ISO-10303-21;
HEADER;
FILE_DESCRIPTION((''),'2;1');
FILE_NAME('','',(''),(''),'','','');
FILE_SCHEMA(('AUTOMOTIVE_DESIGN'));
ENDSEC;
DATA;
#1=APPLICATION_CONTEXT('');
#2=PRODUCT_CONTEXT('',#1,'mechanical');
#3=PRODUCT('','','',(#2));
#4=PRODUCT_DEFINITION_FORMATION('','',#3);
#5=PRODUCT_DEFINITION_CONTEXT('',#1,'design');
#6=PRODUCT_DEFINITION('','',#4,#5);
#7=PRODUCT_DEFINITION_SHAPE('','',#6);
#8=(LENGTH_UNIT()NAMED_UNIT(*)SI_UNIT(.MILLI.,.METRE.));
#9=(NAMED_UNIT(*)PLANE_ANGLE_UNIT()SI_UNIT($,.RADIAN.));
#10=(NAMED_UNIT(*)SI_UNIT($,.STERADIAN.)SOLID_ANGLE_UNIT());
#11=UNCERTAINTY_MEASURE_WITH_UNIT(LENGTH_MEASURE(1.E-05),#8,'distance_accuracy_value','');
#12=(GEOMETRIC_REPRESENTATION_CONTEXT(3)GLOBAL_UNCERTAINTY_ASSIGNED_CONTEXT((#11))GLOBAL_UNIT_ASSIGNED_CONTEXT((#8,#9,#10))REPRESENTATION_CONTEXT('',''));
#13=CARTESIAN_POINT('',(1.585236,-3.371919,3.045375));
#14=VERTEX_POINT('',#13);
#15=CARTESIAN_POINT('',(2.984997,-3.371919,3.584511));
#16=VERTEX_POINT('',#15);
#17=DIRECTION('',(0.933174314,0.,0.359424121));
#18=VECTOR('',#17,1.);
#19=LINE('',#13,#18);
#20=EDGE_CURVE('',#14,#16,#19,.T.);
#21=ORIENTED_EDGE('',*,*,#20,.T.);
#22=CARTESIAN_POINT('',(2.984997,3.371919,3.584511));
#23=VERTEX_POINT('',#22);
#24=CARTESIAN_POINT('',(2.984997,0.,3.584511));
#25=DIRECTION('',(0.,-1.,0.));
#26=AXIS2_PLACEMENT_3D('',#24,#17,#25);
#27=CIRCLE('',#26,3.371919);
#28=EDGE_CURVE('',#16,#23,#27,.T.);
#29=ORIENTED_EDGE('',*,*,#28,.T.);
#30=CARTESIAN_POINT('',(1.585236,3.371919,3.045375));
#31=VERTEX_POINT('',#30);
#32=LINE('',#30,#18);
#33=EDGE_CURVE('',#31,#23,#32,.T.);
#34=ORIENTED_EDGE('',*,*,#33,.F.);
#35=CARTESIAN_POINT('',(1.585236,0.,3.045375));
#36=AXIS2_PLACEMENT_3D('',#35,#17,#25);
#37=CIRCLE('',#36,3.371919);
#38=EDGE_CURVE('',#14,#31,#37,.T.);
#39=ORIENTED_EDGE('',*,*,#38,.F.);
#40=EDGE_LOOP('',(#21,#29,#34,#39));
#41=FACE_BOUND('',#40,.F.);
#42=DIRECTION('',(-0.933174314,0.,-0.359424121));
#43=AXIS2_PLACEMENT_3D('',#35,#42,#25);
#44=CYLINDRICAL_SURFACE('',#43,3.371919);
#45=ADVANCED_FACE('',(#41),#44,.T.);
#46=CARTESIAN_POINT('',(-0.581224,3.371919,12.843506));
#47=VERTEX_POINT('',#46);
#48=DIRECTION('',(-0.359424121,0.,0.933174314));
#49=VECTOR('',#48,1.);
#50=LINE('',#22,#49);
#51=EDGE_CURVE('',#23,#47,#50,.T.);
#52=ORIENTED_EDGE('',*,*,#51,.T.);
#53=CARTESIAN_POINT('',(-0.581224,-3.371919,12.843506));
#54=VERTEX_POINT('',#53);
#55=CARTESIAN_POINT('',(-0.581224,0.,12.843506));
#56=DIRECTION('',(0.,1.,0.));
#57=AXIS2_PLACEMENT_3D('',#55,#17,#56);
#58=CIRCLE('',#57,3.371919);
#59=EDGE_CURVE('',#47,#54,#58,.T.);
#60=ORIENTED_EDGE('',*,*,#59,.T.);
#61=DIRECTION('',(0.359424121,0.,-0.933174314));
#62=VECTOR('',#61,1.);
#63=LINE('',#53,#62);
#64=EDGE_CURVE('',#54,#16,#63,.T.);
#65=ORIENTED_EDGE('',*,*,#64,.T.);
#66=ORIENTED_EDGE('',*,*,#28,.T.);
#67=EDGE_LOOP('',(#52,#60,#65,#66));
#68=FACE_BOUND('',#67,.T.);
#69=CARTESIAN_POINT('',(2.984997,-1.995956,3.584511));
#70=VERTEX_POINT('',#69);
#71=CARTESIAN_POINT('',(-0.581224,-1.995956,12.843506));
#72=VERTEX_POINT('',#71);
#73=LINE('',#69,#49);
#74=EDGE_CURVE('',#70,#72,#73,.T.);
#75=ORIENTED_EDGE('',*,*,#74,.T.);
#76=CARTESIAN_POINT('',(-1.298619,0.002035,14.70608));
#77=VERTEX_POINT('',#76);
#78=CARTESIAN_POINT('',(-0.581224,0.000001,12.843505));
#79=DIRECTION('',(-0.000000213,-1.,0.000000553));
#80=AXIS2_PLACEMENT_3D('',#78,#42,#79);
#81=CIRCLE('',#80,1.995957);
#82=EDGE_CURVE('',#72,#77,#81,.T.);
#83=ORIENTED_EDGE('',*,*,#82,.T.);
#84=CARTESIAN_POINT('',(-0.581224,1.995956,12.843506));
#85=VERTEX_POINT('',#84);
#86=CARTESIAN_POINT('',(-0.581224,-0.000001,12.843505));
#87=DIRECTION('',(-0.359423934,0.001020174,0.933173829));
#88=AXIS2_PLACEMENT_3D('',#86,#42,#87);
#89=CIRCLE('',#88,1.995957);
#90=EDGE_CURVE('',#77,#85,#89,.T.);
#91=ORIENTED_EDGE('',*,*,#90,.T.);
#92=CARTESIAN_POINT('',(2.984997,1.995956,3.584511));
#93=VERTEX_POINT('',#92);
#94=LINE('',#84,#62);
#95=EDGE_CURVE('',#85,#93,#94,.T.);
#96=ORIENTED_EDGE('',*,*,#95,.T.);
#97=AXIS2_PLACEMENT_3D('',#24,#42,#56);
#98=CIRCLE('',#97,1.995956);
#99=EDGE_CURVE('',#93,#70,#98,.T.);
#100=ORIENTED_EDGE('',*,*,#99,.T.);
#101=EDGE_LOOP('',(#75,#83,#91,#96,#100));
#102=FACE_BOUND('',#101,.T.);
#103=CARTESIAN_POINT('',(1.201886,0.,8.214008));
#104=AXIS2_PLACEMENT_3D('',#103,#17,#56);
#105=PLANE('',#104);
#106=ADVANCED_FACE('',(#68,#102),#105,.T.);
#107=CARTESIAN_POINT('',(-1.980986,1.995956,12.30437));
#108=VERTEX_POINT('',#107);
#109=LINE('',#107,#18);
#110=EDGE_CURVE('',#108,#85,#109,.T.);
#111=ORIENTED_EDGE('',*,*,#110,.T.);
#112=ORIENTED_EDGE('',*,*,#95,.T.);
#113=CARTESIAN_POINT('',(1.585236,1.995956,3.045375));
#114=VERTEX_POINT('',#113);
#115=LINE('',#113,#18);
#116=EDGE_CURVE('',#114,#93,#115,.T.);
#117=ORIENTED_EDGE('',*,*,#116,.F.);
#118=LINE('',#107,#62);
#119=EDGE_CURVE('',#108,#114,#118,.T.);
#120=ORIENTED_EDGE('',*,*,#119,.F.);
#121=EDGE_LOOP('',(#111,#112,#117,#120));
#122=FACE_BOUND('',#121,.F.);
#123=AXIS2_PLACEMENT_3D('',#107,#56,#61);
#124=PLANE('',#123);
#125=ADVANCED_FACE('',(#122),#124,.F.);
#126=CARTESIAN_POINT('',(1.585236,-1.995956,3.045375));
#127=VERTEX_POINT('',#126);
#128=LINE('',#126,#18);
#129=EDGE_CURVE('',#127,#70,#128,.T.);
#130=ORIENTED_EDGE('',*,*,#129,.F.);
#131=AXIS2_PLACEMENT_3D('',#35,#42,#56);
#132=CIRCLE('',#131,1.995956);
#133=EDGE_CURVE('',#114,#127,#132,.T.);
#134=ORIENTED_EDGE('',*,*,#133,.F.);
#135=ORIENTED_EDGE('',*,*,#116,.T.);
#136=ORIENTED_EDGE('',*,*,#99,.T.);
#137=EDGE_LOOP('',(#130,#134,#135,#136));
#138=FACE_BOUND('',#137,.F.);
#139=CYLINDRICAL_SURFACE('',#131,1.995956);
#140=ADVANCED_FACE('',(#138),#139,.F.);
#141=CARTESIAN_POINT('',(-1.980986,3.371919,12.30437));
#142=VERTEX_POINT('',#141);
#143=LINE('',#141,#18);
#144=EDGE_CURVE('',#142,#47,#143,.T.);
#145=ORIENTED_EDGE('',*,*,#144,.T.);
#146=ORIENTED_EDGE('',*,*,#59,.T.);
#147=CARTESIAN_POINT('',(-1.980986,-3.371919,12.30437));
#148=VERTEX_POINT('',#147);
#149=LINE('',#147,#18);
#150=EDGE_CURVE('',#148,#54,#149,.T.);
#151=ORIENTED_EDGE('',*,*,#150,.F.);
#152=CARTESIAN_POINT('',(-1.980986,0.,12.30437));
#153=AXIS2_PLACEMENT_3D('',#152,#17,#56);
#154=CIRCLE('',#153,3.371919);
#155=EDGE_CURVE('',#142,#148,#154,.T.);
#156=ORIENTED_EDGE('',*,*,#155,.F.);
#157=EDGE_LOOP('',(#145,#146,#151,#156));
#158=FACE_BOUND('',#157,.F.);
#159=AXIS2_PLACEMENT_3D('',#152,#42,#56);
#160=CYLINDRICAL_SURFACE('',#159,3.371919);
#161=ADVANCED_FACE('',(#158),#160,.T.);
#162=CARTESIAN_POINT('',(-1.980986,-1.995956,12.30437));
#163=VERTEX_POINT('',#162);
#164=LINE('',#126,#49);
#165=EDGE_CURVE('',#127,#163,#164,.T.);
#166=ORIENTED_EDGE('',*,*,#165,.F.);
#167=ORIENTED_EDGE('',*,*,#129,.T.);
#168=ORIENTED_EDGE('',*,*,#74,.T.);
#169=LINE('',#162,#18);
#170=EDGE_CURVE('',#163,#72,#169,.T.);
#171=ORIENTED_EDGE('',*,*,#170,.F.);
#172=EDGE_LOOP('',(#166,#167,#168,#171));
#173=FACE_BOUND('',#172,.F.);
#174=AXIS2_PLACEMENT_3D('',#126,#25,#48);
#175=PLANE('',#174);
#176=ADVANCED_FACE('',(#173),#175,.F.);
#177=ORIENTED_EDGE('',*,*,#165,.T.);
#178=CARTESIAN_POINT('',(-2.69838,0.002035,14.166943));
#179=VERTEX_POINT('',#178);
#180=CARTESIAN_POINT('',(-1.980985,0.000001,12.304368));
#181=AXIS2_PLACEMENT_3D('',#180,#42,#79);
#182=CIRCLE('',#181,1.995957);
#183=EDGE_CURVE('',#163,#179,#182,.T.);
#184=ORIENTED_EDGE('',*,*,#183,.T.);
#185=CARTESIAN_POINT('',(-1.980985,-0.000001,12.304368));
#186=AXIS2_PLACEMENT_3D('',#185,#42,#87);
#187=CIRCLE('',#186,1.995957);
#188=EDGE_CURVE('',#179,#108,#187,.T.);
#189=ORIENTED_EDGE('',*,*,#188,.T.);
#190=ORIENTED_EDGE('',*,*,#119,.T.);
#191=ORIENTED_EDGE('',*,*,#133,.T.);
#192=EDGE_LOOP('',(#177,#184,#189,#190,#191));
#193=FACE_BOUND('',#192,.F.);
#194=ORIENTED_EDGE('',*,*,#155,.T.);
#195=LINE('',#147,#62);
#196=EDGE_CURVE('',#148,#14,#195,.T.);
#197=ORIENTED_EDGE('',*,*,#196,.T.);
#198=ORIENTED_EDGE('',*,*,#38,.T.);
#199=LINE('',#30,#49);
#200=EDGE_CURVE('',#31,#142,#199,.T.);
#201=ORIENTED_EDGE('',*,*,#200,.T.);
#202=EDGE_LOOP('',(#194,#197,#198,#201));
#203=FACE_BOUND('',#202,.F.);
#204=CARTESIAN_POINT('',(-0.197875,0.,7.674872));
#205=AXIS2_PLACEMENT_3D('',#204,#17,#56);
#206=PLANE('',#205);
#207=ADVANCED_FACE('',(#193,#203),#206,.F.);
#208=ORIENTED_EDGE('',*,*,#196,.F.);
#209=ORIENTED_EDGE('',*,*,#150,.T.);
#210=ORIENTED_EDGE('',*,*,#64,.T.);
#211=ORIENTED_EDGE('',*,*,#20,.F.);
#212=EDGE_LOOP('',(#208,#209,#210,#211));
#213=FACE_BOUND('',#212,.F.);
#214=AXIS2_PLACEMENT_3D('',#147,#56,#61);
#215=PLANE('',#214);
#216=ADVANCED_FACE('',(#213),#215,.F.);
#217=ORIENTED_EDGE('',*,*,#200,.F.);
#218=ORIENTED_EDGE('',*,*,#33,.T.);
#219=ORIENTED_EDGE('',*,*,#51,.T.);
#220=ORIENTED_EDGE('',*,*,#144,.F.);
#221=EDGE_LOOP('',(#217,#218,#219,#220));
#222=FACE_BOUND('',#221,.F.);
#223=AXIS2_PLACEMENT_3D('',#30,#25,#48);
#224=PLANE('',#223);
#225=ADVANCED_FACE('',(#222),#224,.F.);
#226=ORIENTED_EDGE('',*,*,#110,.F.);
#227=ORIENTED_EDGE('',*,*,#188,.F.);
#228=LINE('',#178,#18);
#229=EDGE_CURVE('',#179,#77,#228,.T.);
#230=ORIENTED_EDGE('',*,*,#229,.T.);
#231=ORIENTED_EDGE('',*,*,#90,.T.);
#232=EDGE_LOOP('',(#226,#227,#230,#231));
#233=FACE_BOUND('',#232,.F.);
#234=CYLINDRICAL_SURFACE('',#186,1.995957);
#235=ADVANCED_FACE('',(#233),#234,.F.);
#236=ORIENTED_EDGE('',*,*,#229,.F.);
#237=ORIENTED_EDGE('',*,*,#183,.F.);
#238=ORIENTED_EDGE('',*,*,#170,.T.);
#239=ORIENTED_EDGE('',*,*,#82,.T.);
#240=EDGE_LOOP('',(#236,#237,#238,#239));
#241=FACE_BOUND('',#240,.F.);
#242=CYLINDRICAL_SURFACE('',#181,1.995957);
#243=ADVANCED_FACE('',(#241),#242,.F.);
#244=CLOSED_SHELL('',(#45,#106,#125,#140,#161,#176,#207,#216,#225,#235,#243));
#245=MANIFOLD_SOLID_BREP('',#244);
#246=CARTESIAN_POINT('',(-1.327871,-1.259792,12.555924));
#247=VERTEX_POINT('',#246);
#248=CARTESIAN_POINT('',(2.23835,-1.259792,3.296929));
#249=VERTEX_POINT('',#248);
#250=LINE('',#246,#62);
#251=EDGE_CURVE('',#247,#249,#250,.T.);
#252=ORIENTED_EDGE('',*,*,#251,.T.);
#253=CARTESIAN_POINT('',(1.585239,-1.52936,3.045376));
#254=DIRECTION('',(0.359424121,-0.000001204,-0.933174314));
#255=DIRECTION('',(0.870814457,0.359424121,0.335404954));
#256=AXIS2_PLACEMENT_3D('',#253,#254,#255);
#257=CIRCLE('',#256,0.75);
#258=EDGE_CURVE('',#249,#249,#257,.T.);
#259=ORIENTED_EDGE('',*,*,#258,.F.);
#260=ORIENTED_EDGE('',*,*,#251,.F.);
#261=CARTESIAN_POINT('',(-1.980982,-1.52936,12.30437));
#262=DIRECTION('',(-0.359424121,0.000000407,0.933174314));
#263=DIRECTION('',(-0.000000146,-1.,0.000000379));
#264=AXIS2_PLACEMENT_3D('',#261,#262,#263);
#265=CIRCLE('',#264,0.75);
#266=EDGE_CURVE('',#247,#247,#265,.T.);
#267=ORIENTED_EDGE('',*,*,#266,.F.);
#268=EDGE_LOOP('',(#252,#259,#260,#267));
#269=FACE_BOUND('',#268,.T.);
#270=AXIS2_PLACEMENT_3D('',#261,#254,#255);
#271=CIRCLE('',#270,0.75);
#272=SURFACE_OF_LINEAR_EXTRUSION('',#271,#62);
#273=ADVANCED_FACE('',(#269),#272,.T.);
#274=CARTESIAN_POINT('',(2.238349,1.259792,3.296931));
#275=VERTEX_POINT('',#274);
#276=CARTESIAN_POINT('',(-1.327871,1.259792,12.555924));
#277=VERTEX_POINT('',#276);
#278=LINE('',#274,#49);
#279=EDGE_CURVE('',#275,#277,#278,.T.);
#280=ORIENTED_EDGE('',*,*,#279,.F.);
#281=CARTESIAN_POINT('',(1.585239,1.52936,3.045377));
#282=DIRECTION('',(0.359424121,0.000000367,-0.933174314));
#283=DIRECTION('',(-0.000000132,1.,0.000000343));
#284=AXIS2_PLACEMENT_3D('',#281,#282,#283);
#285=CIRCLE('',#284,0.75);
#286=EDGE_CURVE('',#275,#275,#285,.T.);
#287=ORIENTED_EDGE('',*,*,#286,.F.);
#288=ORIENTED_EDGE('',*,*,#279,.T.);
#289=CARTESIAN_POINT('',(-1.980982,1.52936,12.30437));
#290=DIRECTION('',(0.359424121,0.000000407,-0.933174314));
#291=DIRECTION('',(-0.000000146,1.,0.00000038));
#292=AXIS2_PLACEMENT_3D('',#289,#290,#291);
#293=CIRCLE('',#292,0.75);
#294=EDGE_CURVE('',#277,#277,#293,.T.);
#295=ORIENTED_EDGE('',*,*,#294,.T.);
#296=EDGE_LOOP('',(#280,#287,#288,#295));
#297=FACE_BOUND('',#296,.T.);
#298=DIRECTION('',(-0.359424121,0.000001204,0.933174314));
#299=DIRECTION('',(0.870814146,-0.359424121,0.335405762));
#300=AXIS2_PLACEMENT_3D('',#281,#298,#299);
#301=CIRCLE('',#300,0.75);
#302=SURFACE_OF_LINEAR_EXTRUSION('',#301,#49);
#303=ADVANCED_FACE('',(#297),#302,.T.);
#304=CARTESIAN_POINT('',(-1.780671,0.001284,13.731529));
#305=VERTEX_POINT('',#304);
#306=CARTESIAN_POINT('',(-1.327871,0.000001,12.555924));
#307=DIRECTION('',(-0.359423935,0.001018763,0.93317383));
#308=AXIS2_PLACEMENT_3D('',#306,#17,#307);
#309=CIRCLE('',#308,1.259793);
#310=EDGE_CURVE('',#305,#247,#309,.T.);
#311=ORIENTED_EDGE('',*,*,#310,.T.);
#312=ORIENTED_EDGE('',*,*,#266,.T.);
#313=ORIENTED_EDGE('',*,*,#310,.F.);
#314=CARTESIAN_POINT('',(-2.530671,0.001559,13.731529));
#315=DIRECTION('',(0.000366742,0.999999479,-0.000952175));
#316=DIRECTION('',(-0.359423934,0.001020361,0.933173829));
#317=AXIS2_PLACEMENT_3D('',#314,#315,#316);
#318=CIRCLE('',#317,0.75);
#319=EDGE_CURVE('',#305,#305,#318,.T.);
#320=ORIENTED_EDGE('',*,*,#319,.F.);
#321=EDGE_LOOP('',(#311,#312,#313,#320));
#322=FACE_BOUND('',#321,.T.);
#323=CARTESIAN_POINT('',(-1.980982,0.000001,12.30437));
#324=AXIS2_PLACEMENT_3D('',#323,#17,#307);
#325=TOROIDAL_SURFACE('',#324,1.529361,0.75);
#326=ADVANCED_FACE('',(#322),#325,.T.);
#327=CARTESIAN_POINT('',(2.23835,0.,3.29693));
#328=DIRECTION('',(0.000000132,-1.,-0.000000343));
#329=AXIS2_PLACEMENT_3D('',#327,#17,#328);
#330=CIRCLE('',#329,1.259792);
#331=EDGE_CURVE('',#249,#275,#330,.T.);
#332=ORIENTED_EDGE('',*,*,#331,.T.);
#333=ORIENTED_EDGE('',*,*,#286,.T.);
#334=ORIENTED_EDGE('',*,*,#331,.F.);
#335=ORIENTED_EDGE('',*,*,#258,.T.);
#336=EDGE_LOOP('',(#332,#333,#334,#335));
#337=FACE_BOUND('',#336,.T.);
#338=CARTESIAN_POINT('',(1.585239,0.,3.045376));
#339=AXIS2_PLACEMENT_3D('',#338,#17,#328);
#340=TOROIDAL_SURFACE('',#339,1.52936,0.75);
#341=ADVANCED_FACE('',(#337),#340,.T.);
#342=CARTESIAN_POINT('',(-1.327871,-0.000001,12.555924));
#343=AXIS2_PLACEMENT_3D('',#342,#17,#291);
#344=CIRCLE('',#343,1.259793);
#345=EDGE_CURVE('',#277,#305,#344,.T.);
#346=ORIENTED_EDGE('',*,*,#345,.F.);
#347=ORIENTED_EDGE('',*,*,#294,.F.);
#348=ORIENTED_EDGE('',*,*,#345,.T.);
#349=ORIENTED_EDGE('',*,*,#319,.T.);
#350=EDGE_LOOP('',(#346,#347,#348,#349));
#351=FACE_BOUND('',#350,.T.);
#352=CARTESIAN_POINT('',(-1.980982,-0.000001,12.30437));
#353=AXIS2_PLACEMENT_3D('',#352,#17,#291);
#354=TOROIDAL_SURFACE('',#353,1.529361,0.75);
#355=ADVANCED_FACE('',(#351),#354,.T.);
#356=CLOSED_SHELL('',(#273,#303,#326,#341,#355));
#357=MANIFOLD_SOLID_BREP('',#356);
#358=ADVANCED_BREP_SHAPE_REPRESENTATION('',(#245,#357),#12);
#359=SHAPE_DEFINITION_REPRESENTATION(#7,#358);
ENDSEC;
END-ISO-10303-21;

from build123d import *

# Parameters (mm, degrees)
F3_DEPTH = 1.5
F0_R     = 0.75


with BuildPart() as f3:
    # F2 (on face) → F3 (new body)
    with BuildSketch(Plane(origin=(2.401881, 0, 0.925115), x_dir=(0, 1, 0), z_dir=(0.933174, 0, 0.359424))):
        with BuildLine():
            ThreePointArc((3.371919, 12.194136), (0, 15.566055), (-3.371919, 12.194136))
            Line((-3.371919, 12.194136), (-3.371919, 2.272094))
            ThreePointArc((-3.371919, 2.272094), (0, -1.099825), (3.371919, 2.272094))
            Line((3.371919, 2.272094), (3.371919, 12.194136))
        make_face()
        with BuildLine():
            Line((-1.995956, 2.272094), (-1.995956, 12.194136))
            ThreePointArc((-1.995956, 12.194136), (-1.410634, 13.606209), (0.002035, 14.190091))
            ThreePointArc((0.002035, 14.190091), (1.412073, 13.60477), (1.995956, 12.194136))
            Line((1.995956, 12.194136), (1.995956, 2.272094))
            ThreePointArc((1.995956, 2.272094), (0, 0.276138), (-1.995956, 2.272094))
        make_face(mode=Mode.SUBTRACT)
    extrude(amount=F3_DEPTH)


with BuildPart() as f4:
    # F4: sweep along a path in F2
    with BuildLine(Plane(origin=(2.401881, 0, 0.925115), x_dir=(0, 1, 0), z_dir=(0.933174, 0, 0.359424))) as f4_path:
        ThreePointArc((1.995956, 12.194136), (1.412073, 13.60477), (0.002035, 14.190091))
        ThreePointArc((0.002035, 14.190091), (-1.410634, 13.606209), (-1.995956, 12.194136))
        Line((-1.995956, 12.194136), (-1.995956, 2.272094))
        ThreePointArc((-1.995956, 2.272094), (0, 0.276138), (1.995956, 2.272094))
        Line((1.995956, 2.272094), (1.995956, 12.194136))
    # F0 (on Front) → F4 (sweep)
    with BuildSketch(Plane.XZ):
        with Locations((-2.530671, 13.73153)):
            Circle(F0_R)
    sweep(path=f4_path.line)


solid = Compound([f3.part, f4.part])
